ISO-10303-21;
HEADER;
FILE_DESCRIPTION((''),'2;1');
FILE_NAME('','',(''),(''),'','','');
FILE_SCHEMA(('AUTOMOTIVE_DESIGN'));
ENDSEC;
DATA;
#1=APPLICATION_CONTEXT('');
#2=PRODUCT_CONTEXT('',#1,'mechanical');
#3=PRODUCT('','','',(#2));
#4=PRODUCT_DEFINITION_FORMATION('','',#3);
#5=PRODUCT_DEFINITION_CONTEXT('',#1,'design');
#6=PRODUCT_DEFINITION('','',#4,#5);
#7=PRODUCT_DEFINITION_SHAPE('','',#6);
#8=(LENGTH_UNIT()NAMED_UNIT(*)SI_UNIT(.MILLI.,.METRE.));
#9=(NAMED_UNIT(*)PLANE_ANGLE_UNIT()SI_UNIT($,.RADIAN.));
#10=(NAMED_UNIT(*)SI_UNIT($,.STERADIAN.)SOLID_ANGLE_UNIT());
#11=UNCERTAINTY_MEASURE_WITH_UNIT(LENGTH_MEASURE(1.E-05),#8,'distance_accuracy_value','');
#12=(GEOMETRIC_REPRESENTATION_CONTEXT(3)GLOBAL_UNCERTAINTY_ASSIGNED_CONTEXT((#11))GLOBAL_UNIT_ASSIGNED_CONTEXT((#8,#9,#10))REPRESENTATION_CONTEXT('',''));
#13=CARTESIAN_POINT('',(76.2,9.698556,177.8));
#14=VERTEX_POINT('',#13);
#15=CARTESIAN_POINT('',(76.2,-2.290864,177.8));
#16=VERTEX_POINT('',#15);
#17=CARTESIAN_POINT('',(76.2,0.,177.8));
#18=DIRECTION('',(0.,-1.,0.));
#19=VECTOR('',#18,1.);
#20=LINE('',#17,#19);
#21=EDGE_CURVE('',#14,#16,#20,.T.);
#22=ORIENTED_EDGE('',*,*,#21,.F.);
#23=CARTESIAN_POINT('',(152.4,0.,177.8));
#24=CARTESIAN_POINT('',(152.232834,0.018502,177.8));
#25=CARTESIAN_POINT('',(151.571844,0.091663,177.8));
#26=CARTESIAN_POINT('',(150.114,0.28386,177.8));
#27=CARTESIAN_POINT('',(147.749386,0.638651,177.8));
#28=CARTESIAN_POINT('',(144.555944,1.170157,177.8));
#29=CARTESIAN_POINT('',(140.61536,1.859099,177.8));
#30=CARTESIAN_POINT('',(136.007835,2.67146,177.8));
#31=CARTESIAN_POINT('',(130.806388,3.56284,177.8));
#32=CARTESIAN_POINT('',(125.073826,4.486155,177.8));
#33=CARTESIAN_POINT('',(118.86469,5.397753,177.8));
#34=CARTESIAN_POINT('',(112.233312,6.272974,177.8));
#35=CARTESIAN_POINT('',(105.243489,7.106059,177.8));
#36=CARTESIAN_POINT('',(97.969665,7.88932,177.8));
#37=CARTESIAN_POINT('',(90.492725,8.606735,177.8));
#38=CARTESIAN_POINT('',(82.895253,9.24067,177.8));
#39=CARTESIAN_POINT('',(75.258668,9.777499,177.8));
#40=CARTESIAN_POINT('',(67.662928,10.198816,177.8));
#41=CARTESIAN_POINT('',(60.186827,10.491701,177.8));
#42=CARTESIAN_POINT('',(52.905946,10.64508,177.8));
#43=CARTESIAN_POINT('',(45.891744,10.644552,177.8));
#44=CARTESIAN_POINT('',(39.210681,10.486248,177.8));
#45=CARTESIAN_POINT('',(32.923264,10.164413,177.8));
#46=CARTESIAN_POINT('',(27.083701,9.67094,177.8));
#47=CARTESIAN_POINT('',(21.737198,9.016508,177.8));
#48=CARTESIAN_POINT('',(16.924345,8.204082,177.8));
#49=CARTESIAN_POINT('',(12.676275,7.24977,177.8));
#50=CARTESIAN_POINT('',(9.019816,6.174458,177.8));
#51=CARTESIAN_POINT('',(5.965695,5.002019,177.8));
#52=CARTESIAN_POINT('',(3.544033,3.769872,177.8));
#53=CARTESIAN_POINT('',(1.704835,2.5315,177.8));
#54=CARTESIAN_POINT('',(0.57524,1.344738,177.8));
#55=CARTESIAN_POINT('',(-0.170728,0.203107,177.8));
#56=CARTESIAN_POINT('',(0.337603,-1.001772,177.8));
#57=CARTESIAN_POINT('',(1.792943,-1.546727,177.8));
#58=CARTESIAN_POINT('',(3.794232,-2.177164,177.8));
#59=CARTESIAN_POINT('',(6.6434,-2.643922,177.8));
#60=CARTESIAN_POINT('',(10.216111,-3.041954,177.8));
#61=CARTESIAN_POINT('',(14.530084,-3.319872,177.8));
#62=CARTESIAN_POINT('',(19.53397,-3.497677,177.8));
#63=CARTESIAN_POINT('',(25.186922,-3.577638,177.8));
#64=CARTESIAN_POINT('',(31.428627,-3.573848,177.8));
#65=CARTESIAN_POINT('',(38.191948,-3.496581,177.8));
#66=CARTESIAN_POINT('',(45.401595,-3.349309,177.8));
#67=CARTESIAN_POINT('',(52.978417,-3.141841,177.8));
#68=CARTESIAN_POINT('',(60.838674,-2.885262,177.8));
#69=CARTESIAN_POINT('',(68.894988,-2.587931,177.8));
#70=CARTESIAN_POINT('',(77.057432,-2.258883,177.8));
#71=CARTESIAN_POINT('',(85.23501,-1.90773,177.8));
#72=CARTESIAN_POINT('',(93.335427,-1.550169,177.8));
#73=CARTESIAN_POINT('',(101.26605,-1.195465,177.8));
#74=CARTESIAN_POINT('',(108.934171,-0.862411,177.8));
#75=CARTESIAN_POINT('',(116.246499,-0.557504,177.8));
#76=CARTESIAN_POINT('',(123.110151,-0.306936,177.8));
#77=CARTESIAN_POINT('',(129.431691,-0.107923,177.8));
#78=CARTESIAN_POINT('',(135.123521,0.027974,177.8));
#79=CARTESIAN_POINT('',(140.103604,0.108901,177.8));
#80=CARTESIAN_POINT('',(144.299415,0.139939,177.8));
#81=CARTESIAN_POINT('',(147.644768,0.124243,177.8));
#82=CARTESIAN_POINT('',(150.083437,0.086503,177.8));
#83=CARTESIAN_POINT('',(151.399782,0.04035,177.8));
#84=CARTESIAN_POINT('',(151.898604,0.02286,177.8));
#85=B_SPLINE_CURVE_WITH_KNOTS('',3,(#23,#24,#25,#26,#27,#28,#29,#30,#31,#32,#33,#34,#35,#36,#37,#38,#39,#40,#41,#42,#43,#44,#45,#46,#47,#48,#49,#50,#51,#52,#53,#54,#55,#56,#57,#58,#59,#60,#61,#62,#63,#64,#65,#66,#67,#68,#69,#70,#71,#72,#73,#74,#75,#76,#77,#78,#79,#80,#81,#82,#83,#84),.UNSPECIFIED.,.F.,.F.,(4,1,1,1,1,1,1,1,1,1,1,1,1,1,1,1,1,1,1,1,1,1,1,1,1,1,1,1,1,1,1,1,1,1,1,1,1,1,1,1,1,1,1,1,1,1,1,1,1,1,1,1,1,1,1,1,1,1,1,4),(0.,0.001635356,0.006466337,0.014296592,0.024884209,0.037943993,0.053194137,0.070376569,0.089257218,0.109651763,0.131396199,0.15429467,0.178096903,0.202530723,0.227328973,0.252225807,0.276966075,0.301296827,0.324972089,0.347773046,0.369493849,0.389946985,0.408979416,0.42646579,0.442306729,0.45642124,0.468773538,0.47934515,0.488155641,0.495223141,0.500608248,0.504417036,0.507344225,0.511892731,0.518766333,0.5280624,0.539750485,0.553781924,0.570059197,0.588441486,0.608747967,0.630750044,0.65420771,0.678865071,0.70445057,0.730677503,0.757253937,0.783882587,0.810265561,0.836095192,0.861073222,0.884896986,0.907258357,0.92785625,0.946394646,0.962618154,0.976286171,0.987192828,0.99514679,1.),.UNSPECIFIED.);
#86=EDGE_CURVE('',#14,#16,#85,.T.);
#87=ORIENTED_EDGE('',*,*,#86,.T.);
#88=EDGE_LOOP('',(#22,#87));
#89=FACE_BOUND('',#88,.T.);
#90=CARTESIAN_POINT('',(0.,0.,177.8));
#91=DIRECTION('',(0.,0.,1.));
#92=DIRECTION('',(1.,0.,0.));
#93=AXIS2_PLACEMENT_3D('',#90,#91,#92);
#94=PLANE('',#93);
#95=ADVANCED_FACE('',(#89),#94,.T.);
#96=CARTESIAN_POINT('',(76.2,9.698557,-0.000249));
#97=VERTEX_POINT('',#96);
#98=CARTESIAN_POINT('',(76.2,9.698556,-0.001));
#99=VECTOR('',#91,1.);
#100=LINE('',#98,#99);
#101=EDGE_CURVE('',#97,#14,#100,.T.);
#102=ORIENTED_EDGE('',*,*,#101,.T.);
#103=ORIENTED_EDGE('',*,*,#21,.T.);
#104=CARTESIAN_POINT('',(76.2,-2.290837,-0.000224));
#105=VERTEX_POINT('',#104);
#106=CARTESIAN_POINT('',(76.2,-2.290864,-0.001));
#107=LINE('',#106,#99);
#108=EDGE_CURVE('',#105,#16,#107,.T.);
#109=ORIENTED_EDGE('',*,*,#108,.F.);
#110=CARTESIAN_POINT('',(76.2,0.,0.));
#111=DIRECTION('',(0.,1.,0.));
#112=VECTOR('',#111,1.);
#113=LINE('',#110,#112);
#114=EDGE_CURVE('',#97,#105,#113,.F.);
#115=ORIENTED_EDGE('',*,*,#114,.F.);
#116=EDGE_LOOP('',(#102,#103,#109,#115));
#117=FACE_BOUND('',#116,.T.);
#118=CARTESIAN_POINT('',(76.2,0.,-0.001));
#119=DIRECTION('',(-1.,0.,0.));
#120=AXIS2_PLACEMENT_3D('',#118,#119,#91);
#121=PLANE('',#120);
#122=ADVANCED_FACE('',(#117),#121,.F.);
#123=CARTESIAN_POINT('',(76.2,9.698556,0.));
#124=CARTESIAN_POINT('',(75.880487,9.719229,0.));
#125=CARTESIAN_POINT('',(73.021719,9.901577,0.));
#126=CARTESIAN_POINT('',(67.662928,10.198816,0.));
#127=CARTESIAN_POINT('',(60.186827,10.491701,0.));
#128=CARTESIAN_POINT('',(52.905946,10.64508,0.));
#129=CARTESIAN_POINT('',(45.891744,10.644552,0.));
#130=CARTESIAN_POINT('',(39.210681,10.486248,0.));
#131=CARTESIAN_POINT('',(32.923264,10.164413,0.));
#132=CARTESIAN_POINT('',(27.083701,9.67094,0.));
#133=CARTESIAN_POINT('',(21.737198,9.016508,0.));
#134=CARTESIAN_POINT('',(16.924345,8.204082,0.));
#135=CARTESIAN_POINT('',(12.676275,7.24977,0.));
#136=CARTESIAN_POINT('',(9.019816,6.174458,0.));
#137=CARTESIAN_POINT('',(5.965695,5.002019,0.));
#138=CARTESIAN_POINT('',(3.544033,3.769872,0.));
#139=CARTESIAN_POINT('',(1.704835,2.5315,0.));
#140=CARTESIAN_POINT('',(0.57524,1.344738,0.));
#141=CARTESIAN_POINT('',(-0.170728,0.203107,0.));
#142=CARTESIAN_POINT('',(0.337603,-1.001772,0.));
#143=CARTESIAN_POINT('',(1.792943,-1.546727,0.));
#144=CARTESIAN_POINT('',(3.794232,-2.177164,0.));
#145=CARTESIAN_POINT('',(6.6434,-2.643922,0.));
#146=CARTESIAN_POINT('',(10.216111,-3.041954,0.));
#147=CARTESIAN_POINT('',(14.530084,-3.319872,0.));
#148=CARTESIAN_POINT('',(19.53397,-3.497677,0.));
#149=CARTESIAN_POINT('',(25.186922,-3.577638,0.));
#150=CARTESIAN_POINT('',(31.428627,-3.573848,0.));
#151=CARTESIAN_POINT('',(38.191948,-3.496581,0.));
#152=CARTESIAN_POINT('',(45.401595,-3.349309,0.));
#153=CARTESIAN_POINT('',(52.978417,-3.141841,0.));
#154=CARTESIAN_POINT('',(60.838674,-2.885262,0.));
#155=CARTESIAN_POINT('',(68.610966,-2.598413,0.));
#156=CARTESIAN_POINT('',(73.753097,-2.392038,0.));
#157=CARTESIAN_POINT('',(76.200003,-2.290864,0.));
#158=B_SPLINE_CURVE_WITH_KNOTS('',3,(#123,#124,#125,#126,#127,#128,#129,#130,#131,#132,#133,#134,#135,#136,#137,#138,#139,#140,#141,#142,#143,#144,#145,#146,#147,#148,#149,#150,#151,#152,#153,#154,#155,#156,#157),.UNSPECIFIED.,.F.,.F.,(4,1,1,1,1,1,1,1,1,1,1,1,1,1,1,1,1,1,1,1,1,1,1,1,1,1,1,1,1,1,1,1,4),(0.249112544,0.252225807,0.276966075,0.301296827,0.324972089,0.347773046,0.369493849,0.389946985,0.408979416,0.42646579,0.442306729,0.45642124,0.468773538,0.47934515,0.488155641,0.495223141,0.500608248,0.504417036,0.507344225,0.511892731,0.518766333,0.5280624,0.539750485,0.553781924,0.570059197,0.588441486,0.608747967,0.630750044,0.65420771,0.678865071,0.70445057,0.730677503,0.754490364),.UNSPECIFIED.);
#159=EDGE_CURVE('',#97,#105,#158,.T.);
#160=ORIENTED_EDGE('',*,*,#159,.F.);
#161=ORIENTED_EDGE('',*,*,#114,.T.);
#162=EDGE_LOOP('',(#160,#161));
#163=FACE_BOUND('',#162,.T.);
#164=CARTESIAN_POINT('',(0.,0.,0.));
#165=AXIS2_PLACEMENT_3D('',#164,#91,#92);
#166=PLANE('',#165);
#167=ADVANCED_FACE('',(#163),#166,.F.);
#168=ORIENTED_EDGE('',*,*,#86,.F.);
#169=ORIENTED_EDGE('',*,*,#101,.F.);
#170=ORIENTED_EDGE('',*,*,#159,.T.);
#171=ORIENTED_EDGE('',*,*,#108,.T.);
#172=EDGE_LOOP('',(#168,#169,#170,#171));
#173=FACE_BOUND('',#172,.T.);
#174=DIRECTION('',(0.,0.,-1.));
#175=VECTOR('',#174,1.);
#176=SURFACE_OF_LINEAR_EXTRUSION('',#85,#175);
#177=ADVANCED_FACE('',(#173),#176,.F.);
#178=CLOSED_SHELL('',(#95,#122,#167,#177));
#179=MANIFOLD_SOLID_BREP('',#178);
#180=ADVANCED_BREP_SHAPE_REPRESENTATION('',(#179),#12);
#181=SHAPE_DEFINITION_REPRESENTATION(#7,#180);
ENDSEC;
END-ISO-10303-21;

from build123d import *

# Parameters (mm, degrees)
BOSS_EXTRUDE1_DEPTH = 177.8
CUT_EXTRUDE1_REACH  = 236.418


with BuildPart() as part:
    # Sketch1 → Boss-Extrude1 (new body)
    with BuildSketch(Plane.XY):
        with BuildLine():
            Line((151.898604, 0.02286), (152.4, 0))
            add(Edge.make_bspline(
                [(152.4, 0), (152.232833718, 0.018502415), (151.571843934, 0.091662545), (150.113999557, 0.2838596), (147.749385864, 0.638650629), (144.555943786, 1.170157002), (140.615360499, 1.859099247), (136.007834995, 2.67146013), (130.806388019, 3.562840017), (125.073826155, 4.486154777), (118.864690135, 5.397753278), (112.233312125, 6.272974236), (105.243489487, 7.106058892), (97.969665406, 7.889319693), (90.492724993, 8.606734858), (82.895253241, 9.240670251), (75.258667902, 9.77749908), (67.662928423, 10.198815718), (60.186827499, 10.49170102), (52.905945954, 10.645080099), (45.891743713, 10.644551806), (39.210681048, 10.486247597), (32.923263797, 10.164412711), (27.083700854, 9.670939726), (21.73719754, 9.016508091), (16.924344759, 8.204081974), (12.676275305, 7.249770479), (9.019815693, 6.174457771), (5.965694819, 5.002018522), (3.544032537, 3.769871526), (1.704834708, 2.531499726), (0.575239506, 1.344737529), (-0.170728015, 0.20310696), (0.337603285, -1.001772228), (1.792943226, -1.546726795), (3.794232235, -2.17716446), (6.643400201, -2.643922316), (10.216110654, -3.041953632), (14.530084187, -3.319872228), (19.533969629, -3.497677255), (25.18692206, -3.577638345), (31.428627275, -3.573848082), (38.191948203, -3.496581442), (45.401595317, -3.349308986), (52.97841726, -3.141841288), (60.83867414, -2.885262261), (68.894988424, -2.587930905), (77.057432025, -2.258882887), (85.235009672, -1.907730283), (93.335426834, -1.550168819), (101.266049649, -1.195465221), (108.93417081, -0.862411006), (116.2464986, -0.557504045), (123.110150899, -0.306936183), (129.431690533, -0.107922528), (135.123521438, 0.027974451), (140.103603919, 0.108900525), (144.29941542, 0.13993859), (147.644768246, 0.124243061), (150.083437285, 0.086502888), (151.399782071, 0.04034956), (151.898604, 0.02286)],
                knots=[0, 0, 0, 0, 0.001635356, 0.006466337, 0.014296592, 0.024884209, 0.037943993, 0.053194137, 0.070376569, 0.089257218, 0.109651763, 0.131396199, 0.15429467, 0.178096903, 0.202530723, 0.227328973, 0.252225807, 0.276966075, 0.301296827, 0.324972089, 0.347773046, 0.369493849, 0.389946985, 0.408979416, 0.42646579, 0.442306729, 0.45642124, 0.468773538, 0.47934515, 0.488155641, 0.495223141, 0.500608248, 0.504417036, 0.507344225, 0.511892731, 0.518766333, 0.5280624, 0.539750485, 0.553781924, 0.570059197, 0.588441486, 0.608747967, 0.630750044, 0.65420771, 0.678865071, 0.70445057, 0.730677503, 0.757253937, 0.783882587, 0.810265561, 0.836095192, 0.861073222, 0.884896986, 0.907258357, 0.92785625, 0.946394646, 0.962618154, 0.976286171, 0.987192828, 0.99514679, 1, 1, 1, 1], degree=3))
        make_face()
    extrude(amount=BOSS_EXTRUDE1_DEPTH)

    # Sketch3 → Cut-Extrude1 (cut, up to next)
    with BuildSketch(Plane.XY.offset(177.8), mode=Mode.PRIVATE) as cut_extrude1_sk1:
        with BuildLine():
            add(Edge.make_bspline(
                [(152.329043318, 0.007856204), (152.185531128, 0.023755853), (151.548249147, 0.094773199), (150.113999557, 0.2838596), (147.749385864, 0.638650629), (144.555943786, 1.170157002), (140.615360499, 1.859099247), (136.007834995, 2.67146013), (130.806388019, 3.562840017), (125.073826155, 4.486154777), (118.864690135, 5.397753278), (112.233312125, 6.272974236), (105.243489487, 7.106058892), (97.969665406, 7.889319693), (90.492724993, 8.606734858), (83.214331559, 9.214046257), (78.435640398, 9.553904805), (76.2, 9.698555773)],
                knots=[0.000231386, 0.000231386, 0.000231386, 0.000231386, 0.001635356, 0.006466337, 0.014296592, 0.024884209, 0.037943993, 0.053194137, 0.070376569, 0.089257218, 0.109651763, 0.131396199, 0.15429467, 0.178096903, 0.202530723, 0.227328973, 0.249112544, 0.249112544, 0.249112544, 0.249112544], degree=3))
            Line((76.2, 9.698555773), (76.2, -2.290863726))
            add(Edge.make_bspline(
                [(76.2, -2.290863726), (76.483973648, -2.279122007), (79.504174025, -2.153817566), (85.235009672, -1.907730283), (93.335426834, -1.550168819), (101.266049649, -1.195465221), (108.93417081, -0.862411006), (116.2464986, -0.557504045), (123.110150899, -0.306936183), (129.431690533, -0.107922528), (135.123521438, 0.027974451), (140.103603919, 0.108900525), (144.29941542, 0.13993859), (147.644768246, 0.124243061), (150.083437285, 0.086502888), (151.399782071, 0.04034956), (151.898604, 0.02286)],
                knots=[0.754490355, 0.754490355, 0.754490355, 0.754490355, 0.757253937, 0.783882587, 0.810265561, 0.836095192, 0.861073222, 0.884896986, 0.907258357, 0.92785625, 0.946394646, 0.962618154, 0.976286171, 0.987192828, 0.99514679, 1, 1, 1, 1], degree=3))
            add(Edge.make_bspline(
                [(151.898604, 0.02286), (152.042082962, 0.017829379), (152.185561923, 0.012798758), (152.329043318, 0.007856204)],
                knots=[1, 1, 1, 1, 1.001395956, 1.001395956, 1.001395956, 1.001395956], degree=3))
        make_face()
    cut_extrude1_tool1 = extrude(cut_extrude1_sk1.sketch, amount=-CUT_EXTRUDE1_REACH, mode=Mode.PRIVATE) & part.part
    # Sketch3 → Cut-Extrude1 (cut, up to next)
    with BuildSketch(Plane.XY.offset(177.8), mode=Mode.PRIVATE) as cut_extrude1_sk2:
        with BuildLine():
            Line((151.898604, 0.02286), (152.4, 0))
            add(Edge.make_bspline(
                [(152.4, 0), (152.376347675, 0.002617903), (152.352695351, 0.005235806), (152.329043318, 0.007856204)],
                knots=[0, 0, 0, 0, 0.000231386, 0.000231386, 0.000231386, 0.000231386], degree=3))
            add(Edge.make_bspline(
                [(151.898604, 0.02286), (152.042082962, 0.017829379), (152.185561923, 0.012798758), (152.329043318, 0.007856204)],
                knots=[1, 1, 1, 1, 1.001395956, 1.001395956, 1.001395956, 1.001395956], degree=3))
        make_face()
    cut_extrude1_tool2 = extrude(cut_extrude1_sk2.sketch, amount=-CUT_EXTRUDE1_REACH, mode=Mode.PRIVATE) & part.part
    add(cut_extrude1_tool1.solids().sort_by_distance((101.677273, 2.999273, 177.8))[0], mode=Mode.SUBTRACT)
    add(cut_extrude1_tool2.solids().sort_by_distance((152.209879, 0.010201, 177.8))[0], mode=Mode.SUBTRACT)


solid = part.part
